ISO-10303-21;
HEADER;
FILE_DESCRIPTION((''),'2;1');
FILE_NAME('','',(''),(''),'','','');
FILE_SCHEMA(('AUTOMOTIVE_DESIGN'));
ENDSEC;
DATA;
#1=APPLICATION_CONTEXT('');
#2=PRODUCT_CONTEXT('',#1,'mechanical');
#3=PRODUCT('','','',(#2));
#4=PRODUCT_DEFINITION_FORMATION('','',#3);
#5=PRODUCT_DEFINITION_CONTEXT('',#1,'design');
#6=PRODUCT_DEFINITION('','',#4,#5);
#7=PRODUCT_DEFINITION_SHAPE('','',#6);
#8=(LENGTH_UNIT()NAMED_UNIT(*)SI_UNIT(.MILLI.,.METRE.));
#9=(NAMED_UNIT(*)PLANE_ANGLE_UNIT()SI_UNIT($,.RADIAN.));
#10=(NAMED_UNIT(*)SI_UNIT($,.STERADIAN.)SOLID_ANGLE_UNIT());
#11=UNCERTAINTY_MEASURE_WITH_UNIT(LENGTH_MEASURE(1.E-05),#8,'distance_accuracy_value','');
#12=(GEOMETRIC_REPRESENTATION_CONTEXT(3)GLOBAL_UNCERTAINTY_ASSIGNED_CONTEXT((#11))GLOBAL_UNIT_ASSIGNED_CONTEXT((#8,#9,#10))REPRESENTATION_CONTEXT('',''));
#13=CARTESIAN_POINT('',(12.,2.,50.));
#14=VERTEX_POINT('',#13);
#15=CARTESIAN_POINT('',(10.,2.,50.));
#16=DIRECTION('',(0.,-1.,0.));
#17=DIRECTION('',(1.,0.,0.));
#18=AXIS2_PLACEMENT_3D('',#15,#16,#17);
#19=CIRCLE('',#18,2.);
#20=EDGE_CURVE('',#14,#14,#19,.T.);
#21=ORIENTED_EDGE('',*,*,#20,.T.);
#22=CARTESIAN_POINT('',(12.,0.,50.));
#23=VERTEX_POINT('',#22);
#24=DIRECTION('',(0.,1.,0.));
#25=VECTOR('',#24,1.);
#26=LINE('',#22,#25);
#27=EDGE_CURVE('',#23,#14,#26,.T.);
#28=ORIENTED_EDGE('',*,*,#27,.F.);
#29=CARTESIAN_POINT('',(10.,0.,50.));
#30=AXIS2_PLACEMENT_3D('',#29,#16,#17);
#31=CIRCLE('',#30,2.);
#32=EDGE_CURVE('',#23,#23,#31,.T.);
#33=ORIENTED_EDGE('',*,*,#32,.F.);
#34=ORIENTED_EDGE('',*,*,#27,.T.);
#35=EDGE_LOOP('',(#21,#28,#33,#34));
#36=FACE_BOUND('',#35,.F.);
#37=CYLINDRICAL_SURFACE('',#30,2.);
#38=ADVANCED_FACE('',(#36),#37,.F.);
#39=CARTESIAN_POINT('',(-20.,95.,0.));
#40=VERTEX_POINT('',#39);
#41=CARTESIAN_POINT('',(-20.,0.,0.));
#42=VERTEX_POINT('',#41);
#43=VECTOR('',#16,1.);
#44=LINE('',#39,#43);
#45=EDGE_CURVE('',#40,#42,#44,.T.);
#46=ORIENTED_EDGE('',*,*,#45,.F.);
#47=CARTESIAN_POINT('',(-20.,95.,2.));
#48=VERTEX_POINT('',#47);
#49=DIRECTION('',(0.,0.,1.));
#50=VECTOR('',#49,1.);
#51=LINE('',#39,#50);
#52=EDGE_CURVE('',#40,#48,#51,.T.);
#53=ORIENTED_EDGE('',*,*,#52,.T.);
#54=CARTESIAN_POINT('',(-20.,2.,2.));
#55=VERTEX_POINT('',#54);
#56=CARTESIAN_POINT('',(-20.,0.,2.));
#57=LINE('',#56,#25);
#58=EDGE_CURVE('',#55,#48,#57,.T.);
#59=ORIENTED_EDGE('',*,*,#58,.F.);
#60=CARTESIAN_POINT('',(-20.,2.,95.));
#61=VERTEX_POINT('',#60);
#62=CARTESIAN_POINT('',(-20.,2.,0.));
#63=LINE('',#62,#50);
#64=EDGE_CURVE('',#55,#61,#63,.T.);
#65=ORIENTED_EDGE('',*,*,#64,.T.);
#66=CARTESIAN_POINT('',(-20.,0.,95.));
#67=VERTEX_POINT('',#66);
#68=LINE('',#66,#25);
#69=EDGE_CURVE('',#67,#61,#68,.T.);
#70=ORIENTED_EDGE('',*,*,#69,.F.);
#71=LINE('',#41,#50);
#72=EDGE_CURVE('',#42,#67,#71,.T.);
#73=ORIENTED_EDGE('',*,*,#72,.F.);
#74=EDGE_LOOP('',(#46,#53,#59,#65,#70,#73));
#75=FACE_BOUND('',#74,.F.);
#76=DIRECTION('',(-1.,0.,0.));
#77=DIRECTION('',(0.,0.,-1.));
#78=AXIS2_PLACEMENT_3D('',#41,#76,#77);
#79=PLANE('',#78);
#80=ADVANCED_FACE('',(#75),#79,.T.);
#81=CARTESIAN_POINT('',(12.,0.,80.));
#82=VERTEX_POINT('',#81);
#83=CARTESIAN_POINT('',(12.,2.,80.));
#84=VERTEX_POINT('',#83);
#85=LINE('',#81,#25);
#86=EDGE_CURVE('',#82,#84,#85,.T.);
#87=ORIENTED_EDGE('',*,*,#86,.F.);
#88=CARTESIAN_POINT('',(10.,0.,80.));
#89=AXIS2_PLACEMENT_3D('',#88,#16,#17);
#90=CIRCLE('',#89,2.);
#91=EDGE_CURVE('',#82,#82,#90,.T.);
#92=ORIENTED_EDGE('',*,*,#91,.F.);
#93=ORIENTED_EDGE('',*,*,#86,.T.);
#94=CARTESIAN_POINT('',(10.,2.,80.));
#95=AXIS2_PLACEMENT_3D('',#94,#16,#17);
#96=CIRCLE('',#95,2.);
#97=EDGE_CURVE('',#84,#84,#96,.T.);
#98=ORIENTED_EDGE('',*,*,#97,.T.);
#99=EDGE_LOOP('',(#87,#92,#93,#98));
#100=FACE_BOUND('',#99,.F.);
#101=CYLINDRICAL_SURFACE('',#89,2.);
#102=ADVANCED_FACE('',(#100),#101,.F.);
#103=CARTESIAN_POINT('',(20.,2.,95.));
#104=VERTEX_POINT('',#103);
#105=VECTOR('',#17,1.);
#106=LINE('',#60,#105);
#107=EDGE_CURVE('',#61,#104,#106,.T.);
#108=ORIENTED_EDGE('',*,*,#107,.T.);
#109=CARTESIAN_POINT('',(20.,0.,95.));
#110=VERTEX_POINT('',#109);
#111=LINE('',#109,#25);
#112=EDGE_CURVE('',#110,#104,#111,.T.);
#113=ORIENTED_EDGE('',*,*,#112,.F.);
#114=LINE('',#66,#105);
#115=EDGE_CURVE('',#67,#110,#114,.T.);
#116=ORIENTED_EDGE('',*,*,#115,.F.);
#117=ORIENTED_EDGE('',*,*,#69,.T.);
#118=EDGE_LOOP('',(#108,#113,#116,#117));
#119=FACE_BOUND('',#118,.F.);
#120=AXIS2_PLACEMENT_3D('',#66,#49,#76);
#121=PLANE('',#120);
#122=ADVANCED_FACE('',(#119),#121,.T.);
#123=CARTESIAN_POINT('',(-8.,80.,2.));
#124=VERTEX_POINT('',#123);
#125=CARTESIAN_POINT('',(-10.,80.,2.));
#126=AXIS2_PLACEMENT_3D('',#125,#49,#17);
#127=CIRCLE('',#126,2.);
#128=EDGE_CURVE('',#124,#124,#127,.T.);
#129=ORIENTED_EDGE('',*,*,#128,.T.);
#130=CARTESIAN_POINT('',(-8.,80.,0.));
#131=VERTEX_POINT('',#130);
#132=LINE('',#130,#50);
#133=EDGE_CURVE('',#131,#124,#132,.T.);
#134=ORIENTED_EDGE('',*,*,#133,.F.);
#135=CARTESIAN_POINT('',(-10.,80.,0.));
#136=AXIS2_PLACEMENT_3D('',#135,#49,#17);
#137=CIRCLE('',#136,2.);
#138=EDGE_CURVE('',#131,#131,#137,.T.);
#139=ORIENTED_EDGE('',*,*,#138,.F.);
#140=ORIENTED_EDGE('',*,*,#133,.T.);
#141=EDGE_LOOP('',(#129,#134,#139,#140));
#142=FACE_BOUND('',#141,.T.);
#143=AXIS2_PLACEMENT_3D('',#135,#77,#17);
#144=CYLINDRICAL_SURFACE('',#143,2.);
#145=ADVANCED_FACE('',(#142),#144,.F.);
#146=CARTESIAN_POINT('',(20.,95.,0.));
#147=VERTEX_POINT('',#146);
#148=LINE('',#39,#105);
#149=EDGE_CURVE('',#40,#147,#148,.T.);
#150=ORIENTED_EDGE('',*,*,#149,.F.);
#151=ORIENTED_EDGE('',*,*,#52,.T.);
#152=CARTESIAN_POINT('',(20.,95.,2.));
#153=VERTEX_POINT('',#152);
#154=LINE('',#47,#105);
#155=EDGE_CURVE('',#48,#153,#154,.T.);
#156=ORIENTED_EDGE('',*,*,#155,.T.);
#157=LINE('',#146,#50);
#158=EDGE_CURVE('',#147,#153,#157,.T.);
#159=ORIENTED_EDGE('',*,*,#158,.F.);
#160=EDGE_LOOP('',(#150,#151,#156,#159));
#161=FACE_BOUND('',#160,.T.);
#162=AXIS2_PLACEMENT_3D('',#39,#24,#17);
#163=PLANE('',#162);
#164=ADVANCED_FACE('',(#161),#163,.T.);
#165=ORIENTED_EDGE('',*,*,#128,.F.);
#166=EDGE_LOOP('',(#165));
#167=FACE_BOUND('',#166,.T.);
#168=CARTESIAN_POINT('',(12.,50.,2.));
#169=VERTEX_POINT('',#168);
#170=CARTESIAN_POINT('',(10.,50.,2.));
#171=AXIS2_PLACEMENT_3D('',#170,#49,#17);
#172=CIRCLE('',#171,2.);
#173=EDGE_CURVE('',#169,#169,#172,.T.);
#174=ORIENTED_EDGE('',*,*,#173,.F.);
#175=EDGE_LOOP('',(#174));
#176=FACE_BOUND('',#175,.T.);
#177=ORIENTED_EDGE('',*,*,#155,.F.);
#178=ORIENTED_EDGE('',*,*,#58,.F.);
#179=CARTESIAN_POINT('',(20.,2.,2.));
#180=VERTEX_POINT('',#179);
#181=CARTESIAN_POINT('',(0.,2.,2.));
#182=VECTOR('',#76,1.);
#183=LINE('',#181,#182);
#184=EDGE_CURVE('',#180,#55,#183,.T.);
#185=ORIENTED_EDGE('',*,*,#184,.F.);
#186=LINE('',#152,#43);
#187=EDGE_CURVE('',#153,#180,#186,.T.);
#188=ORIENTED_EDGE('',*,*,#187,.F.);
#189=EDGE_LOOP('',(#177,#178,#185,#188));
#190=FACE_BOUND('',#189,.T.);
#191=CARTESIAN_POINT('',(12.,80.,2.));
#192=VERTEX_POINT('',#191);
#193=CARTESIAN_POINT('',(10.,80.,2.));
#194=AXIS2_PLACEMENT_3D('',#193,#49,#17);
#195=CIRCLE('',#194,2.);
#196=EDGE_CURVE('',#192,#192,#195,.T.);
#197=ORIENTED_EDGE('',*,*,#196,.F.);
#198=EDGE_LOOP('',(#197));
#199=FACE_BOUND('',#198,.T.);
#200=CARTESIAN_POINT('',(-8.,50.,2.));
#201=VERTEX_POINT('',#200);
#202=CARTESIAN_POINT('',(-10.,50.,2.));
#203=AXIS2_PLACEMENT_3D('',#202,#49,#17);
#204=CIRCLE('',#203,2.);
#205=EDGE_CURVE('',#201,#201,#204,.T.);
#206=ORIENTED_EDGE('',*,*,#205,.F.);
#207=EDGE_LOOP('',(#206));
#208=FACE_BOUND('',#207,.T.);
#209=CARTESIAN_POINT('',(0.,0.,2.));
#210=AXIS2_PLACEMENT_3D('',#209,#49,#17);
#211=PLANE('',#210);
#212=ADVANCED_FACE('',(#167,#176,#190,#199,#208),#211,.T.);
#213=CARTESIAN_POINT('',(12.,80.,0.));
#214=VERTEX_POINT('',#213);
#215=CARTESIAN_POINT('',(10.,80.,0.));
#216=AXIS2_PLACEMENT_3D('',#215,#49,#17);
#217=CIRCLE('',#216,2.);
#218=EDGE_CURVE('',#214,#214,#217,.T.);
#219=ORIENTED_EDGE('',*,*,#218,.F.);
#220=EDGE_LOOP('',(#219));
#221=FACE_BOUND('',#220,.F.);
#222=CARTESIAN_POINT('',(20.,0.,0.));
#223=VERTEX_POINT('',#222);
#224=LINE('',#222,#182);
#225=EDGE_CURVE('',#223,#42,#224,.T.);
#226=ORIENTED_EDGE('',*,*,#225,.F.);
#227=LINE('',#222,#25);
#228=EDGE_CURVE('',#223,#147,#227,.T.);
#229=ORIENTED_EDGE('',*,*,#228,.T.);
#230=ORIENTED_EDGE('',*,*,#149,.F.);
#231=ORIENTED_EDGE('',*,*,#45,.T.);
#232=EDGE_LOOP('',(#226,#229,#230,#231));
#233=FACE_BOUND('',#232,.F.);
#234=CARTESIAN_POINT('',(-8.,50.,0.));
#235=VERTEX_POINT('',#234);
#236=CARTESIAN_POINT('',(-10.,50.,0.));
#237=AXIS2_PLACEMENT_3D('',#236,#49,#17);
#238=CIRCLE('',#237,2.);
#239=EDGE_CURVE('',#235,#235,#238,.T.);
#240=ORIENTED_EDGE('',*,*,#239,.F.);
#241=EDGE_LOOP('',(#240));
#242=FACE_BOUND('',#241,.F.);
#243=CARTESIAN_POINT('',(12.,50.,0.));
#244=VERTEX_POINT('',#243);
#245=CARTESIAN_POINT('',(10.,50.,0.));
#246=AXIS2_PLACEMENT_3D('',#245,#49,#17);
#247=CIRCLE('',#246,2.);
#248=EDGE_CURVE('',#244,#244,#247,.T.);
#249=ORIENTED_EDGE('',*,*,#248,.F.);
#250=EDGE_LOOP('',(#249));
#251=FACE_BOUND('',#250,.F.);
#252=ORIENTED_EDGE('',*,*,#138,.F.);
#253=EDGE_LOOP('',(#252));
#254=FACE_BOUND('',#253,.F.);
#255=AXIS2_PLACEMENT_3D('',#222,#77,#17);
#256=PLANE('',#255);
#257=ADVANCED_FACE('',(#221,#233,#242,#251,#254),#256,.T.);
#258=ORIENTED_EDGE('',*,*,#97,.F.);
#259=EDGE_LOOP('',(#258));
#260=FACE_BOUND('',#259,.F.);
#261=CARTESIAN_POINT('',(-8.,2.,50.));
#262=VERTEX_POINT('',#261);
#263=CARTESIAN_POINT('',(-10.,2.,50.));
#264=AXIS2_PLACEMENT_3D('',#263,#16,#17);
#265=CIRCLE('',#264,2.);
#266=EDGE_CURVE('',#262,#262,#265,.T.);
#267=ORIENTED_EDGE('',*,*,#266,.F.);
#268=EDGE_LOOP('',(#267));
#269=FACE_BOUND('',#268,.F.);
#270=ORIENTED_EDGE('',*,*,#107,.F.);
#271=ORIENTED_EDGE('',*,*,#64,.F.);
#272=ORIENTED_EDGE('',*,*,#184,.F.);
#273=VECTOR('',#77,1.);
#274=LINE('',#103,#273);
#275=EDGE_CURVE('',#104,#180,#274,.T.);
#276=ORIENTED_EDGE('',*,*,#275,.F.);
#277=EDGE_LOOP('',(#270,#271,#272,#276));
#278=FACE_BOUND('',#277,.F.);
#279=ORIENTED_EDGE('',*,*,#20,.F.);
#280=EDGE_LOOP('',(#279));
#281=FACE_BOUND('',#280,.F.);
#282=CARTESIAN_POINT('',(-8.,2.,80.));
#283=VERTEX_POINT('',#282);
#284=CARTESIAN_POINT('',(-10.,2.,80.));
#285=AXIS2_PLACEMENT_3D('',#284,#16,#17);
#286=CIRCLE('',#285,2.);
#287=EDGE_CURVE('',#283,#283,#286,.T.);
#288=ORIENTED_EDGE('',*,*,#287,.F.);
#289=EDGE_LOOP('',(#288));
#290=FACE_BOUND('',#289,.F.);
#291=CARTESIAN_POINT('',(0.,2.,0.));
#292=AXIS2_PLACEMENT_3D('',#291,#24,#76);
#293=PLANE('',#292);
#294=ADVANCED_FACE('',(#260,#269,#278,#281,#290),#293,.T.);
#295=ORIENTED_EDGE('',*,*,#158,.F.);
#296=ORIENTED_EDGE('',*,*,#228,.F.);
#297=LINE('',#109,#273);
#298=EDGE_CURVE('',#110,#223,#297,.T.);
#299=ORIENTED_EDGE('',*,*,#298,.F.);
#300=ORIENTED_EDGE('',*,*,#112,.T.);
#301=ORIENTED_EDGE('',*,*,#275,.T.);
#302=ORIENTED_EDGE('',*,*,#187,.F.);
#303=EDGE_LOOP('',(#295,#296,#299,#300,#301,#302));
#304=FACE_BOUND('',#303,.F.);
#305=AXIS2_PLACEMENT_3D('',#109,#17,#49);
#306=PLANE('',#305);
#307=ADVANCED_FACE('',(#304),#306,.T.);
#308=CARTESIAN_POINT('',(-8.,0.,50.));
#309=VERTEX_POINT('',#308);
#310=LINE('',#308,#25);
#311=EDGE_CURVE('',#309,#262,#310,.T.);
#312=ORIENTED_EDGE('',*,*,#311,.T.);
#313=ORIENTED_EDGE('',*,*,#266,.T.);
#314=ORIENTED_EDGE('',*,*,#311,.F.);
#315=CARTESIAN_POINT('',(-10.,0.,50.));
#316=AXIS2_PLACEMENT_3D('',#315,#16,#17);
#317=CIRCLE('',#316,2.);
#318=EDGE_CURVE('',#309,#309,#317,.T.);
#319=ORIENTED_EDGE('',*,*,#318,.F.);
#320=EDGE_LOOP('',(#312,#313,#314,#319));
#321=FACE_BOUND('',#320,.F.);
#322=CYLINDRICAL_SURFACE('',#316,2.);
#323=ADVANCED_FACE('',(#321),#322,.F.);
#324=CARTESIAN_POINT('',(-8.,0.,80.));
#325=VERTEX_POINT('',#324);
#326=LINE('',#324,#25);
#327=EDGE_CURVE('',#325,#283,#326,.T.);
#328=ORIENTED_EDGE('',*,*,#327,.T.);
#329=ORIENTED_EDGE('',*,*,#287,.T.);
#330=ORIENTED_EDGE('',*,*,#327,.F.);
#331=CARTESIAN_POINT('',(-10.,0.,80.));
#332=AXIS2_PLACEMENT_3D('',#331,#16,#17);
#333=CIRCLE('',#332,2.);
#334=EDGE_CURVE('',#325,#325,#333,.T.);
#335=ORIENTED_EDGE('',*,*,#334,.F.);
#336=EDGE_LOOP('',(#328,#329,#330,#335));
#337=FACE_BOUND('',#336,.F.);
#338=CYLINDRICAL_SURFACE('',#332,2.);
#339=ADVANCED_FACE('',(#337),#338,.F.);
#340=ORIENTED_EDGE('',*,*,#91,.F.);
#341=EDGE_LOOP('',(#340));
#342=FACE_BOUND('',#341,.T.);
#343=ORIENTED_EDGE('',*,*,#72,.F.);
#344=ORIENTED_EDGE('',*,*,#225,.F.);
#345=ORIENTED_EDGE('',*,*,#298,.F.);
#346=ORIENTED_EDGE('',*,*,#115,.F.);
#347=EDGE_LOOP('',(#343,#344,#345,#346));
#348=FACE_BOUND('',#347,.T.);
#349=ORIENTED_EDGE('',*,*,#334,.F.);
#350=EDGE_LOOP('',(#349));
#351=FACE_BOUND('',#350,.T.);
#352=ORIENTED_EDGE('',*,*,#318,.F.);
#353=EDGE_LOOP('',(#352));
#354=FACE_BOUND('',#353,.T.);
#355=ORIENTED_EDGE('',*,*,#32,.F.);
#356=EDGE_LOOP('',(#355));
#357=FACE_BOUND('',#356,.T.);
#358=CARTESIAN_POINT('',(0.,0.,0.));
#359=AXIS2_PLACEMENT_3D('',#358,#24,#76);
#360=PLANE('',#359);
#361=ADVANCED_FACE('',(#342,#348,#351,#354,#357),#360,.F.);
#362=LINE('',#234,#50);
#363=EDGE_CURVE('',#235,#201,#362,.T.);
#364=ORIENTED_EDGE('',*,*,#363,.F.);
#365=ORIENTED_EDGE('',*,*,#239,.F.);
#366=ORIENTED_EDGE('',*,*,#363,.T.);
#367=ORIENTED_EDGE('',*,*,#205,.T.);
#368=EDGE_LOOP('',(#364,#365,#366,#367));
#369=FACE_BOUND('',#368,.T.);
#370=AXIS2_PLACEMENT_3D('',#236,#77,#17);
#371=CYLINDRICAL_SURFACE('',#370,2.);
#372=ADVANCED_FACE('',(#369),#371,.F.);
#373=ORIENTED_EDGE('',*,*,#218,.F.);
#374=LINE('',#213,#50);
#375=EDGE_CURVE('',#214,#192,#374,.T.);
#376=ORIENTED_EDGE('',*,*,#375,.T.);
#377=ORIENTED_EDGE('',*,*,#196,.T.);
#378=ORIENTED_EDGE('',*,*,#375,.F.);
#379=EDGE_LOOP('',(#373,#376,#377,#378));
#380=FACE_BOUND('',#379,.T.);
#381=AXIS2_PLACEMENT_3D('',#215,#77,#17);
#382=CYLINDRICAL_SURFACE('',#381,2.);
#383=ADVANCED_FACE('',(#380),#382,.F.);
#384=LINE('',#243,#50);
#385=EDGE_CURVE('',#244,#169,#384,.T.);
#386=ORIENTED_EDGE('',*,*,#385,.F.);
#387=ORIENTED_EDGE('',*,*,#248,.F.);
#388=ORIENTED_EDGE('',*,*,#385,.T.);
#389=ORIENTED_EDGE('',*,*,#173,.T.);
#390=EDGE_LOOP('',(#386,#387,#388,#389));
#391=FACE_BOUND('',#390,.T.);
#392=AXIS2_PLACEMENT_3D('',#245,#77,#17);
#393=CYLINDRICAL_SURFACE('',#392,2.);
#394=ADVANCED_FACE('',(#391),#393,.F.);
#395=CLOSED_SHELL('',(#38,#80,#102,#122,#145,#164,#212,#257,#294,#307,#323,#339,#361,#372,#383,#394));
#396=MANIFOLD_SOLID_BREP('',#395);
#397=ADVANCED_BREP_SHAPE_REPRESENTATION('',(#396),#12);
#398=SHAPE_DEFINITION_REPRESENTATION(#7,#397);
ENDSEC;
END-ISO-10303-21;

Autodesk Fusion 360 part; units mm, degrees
sketch "Sketch1" plane through (0, 0, 0) normal (0, 0, 1) x (1, 0, 0)
  line L0 (-20, 95) -> (20, 95)
  line L1 (20, 95) -> (20, 0)
  line L2 (20, 0) -> (-20, 0)
  line L3 (-20, 0) -> (-20, 95)
  circle A0 centre (-10, 80) radius 2
  circle A1 centre (10, 80) radius 2
  circle A2 centre (-10, 50) radius 2
  circle A3 centre (10, 50) radius 2
  line L4 (0, 125) -> (0, -25) construction
  dimension "d1" = 95
  dimension "d2" = 40
  dimension "d3" = 4
  dimension "d8" = 20
  dimension "d9" = -30
  dimension "d10" = 15
extrude "Extrude1" add sketch "Sketch1" along normal blind 2 makes body 1
ref_plane "WorkPlane1" through (0, 0, 0) normal (0, 0.7071, -0.7071) x (-1, 0, 0)
mirror "Mirror1" about plane through (0, 0, 0) normal (0, 0.7071, -0.7071) of "Extrude1" makes body 2
combine "Combine1" operation add target body 2 tool bodies 1
